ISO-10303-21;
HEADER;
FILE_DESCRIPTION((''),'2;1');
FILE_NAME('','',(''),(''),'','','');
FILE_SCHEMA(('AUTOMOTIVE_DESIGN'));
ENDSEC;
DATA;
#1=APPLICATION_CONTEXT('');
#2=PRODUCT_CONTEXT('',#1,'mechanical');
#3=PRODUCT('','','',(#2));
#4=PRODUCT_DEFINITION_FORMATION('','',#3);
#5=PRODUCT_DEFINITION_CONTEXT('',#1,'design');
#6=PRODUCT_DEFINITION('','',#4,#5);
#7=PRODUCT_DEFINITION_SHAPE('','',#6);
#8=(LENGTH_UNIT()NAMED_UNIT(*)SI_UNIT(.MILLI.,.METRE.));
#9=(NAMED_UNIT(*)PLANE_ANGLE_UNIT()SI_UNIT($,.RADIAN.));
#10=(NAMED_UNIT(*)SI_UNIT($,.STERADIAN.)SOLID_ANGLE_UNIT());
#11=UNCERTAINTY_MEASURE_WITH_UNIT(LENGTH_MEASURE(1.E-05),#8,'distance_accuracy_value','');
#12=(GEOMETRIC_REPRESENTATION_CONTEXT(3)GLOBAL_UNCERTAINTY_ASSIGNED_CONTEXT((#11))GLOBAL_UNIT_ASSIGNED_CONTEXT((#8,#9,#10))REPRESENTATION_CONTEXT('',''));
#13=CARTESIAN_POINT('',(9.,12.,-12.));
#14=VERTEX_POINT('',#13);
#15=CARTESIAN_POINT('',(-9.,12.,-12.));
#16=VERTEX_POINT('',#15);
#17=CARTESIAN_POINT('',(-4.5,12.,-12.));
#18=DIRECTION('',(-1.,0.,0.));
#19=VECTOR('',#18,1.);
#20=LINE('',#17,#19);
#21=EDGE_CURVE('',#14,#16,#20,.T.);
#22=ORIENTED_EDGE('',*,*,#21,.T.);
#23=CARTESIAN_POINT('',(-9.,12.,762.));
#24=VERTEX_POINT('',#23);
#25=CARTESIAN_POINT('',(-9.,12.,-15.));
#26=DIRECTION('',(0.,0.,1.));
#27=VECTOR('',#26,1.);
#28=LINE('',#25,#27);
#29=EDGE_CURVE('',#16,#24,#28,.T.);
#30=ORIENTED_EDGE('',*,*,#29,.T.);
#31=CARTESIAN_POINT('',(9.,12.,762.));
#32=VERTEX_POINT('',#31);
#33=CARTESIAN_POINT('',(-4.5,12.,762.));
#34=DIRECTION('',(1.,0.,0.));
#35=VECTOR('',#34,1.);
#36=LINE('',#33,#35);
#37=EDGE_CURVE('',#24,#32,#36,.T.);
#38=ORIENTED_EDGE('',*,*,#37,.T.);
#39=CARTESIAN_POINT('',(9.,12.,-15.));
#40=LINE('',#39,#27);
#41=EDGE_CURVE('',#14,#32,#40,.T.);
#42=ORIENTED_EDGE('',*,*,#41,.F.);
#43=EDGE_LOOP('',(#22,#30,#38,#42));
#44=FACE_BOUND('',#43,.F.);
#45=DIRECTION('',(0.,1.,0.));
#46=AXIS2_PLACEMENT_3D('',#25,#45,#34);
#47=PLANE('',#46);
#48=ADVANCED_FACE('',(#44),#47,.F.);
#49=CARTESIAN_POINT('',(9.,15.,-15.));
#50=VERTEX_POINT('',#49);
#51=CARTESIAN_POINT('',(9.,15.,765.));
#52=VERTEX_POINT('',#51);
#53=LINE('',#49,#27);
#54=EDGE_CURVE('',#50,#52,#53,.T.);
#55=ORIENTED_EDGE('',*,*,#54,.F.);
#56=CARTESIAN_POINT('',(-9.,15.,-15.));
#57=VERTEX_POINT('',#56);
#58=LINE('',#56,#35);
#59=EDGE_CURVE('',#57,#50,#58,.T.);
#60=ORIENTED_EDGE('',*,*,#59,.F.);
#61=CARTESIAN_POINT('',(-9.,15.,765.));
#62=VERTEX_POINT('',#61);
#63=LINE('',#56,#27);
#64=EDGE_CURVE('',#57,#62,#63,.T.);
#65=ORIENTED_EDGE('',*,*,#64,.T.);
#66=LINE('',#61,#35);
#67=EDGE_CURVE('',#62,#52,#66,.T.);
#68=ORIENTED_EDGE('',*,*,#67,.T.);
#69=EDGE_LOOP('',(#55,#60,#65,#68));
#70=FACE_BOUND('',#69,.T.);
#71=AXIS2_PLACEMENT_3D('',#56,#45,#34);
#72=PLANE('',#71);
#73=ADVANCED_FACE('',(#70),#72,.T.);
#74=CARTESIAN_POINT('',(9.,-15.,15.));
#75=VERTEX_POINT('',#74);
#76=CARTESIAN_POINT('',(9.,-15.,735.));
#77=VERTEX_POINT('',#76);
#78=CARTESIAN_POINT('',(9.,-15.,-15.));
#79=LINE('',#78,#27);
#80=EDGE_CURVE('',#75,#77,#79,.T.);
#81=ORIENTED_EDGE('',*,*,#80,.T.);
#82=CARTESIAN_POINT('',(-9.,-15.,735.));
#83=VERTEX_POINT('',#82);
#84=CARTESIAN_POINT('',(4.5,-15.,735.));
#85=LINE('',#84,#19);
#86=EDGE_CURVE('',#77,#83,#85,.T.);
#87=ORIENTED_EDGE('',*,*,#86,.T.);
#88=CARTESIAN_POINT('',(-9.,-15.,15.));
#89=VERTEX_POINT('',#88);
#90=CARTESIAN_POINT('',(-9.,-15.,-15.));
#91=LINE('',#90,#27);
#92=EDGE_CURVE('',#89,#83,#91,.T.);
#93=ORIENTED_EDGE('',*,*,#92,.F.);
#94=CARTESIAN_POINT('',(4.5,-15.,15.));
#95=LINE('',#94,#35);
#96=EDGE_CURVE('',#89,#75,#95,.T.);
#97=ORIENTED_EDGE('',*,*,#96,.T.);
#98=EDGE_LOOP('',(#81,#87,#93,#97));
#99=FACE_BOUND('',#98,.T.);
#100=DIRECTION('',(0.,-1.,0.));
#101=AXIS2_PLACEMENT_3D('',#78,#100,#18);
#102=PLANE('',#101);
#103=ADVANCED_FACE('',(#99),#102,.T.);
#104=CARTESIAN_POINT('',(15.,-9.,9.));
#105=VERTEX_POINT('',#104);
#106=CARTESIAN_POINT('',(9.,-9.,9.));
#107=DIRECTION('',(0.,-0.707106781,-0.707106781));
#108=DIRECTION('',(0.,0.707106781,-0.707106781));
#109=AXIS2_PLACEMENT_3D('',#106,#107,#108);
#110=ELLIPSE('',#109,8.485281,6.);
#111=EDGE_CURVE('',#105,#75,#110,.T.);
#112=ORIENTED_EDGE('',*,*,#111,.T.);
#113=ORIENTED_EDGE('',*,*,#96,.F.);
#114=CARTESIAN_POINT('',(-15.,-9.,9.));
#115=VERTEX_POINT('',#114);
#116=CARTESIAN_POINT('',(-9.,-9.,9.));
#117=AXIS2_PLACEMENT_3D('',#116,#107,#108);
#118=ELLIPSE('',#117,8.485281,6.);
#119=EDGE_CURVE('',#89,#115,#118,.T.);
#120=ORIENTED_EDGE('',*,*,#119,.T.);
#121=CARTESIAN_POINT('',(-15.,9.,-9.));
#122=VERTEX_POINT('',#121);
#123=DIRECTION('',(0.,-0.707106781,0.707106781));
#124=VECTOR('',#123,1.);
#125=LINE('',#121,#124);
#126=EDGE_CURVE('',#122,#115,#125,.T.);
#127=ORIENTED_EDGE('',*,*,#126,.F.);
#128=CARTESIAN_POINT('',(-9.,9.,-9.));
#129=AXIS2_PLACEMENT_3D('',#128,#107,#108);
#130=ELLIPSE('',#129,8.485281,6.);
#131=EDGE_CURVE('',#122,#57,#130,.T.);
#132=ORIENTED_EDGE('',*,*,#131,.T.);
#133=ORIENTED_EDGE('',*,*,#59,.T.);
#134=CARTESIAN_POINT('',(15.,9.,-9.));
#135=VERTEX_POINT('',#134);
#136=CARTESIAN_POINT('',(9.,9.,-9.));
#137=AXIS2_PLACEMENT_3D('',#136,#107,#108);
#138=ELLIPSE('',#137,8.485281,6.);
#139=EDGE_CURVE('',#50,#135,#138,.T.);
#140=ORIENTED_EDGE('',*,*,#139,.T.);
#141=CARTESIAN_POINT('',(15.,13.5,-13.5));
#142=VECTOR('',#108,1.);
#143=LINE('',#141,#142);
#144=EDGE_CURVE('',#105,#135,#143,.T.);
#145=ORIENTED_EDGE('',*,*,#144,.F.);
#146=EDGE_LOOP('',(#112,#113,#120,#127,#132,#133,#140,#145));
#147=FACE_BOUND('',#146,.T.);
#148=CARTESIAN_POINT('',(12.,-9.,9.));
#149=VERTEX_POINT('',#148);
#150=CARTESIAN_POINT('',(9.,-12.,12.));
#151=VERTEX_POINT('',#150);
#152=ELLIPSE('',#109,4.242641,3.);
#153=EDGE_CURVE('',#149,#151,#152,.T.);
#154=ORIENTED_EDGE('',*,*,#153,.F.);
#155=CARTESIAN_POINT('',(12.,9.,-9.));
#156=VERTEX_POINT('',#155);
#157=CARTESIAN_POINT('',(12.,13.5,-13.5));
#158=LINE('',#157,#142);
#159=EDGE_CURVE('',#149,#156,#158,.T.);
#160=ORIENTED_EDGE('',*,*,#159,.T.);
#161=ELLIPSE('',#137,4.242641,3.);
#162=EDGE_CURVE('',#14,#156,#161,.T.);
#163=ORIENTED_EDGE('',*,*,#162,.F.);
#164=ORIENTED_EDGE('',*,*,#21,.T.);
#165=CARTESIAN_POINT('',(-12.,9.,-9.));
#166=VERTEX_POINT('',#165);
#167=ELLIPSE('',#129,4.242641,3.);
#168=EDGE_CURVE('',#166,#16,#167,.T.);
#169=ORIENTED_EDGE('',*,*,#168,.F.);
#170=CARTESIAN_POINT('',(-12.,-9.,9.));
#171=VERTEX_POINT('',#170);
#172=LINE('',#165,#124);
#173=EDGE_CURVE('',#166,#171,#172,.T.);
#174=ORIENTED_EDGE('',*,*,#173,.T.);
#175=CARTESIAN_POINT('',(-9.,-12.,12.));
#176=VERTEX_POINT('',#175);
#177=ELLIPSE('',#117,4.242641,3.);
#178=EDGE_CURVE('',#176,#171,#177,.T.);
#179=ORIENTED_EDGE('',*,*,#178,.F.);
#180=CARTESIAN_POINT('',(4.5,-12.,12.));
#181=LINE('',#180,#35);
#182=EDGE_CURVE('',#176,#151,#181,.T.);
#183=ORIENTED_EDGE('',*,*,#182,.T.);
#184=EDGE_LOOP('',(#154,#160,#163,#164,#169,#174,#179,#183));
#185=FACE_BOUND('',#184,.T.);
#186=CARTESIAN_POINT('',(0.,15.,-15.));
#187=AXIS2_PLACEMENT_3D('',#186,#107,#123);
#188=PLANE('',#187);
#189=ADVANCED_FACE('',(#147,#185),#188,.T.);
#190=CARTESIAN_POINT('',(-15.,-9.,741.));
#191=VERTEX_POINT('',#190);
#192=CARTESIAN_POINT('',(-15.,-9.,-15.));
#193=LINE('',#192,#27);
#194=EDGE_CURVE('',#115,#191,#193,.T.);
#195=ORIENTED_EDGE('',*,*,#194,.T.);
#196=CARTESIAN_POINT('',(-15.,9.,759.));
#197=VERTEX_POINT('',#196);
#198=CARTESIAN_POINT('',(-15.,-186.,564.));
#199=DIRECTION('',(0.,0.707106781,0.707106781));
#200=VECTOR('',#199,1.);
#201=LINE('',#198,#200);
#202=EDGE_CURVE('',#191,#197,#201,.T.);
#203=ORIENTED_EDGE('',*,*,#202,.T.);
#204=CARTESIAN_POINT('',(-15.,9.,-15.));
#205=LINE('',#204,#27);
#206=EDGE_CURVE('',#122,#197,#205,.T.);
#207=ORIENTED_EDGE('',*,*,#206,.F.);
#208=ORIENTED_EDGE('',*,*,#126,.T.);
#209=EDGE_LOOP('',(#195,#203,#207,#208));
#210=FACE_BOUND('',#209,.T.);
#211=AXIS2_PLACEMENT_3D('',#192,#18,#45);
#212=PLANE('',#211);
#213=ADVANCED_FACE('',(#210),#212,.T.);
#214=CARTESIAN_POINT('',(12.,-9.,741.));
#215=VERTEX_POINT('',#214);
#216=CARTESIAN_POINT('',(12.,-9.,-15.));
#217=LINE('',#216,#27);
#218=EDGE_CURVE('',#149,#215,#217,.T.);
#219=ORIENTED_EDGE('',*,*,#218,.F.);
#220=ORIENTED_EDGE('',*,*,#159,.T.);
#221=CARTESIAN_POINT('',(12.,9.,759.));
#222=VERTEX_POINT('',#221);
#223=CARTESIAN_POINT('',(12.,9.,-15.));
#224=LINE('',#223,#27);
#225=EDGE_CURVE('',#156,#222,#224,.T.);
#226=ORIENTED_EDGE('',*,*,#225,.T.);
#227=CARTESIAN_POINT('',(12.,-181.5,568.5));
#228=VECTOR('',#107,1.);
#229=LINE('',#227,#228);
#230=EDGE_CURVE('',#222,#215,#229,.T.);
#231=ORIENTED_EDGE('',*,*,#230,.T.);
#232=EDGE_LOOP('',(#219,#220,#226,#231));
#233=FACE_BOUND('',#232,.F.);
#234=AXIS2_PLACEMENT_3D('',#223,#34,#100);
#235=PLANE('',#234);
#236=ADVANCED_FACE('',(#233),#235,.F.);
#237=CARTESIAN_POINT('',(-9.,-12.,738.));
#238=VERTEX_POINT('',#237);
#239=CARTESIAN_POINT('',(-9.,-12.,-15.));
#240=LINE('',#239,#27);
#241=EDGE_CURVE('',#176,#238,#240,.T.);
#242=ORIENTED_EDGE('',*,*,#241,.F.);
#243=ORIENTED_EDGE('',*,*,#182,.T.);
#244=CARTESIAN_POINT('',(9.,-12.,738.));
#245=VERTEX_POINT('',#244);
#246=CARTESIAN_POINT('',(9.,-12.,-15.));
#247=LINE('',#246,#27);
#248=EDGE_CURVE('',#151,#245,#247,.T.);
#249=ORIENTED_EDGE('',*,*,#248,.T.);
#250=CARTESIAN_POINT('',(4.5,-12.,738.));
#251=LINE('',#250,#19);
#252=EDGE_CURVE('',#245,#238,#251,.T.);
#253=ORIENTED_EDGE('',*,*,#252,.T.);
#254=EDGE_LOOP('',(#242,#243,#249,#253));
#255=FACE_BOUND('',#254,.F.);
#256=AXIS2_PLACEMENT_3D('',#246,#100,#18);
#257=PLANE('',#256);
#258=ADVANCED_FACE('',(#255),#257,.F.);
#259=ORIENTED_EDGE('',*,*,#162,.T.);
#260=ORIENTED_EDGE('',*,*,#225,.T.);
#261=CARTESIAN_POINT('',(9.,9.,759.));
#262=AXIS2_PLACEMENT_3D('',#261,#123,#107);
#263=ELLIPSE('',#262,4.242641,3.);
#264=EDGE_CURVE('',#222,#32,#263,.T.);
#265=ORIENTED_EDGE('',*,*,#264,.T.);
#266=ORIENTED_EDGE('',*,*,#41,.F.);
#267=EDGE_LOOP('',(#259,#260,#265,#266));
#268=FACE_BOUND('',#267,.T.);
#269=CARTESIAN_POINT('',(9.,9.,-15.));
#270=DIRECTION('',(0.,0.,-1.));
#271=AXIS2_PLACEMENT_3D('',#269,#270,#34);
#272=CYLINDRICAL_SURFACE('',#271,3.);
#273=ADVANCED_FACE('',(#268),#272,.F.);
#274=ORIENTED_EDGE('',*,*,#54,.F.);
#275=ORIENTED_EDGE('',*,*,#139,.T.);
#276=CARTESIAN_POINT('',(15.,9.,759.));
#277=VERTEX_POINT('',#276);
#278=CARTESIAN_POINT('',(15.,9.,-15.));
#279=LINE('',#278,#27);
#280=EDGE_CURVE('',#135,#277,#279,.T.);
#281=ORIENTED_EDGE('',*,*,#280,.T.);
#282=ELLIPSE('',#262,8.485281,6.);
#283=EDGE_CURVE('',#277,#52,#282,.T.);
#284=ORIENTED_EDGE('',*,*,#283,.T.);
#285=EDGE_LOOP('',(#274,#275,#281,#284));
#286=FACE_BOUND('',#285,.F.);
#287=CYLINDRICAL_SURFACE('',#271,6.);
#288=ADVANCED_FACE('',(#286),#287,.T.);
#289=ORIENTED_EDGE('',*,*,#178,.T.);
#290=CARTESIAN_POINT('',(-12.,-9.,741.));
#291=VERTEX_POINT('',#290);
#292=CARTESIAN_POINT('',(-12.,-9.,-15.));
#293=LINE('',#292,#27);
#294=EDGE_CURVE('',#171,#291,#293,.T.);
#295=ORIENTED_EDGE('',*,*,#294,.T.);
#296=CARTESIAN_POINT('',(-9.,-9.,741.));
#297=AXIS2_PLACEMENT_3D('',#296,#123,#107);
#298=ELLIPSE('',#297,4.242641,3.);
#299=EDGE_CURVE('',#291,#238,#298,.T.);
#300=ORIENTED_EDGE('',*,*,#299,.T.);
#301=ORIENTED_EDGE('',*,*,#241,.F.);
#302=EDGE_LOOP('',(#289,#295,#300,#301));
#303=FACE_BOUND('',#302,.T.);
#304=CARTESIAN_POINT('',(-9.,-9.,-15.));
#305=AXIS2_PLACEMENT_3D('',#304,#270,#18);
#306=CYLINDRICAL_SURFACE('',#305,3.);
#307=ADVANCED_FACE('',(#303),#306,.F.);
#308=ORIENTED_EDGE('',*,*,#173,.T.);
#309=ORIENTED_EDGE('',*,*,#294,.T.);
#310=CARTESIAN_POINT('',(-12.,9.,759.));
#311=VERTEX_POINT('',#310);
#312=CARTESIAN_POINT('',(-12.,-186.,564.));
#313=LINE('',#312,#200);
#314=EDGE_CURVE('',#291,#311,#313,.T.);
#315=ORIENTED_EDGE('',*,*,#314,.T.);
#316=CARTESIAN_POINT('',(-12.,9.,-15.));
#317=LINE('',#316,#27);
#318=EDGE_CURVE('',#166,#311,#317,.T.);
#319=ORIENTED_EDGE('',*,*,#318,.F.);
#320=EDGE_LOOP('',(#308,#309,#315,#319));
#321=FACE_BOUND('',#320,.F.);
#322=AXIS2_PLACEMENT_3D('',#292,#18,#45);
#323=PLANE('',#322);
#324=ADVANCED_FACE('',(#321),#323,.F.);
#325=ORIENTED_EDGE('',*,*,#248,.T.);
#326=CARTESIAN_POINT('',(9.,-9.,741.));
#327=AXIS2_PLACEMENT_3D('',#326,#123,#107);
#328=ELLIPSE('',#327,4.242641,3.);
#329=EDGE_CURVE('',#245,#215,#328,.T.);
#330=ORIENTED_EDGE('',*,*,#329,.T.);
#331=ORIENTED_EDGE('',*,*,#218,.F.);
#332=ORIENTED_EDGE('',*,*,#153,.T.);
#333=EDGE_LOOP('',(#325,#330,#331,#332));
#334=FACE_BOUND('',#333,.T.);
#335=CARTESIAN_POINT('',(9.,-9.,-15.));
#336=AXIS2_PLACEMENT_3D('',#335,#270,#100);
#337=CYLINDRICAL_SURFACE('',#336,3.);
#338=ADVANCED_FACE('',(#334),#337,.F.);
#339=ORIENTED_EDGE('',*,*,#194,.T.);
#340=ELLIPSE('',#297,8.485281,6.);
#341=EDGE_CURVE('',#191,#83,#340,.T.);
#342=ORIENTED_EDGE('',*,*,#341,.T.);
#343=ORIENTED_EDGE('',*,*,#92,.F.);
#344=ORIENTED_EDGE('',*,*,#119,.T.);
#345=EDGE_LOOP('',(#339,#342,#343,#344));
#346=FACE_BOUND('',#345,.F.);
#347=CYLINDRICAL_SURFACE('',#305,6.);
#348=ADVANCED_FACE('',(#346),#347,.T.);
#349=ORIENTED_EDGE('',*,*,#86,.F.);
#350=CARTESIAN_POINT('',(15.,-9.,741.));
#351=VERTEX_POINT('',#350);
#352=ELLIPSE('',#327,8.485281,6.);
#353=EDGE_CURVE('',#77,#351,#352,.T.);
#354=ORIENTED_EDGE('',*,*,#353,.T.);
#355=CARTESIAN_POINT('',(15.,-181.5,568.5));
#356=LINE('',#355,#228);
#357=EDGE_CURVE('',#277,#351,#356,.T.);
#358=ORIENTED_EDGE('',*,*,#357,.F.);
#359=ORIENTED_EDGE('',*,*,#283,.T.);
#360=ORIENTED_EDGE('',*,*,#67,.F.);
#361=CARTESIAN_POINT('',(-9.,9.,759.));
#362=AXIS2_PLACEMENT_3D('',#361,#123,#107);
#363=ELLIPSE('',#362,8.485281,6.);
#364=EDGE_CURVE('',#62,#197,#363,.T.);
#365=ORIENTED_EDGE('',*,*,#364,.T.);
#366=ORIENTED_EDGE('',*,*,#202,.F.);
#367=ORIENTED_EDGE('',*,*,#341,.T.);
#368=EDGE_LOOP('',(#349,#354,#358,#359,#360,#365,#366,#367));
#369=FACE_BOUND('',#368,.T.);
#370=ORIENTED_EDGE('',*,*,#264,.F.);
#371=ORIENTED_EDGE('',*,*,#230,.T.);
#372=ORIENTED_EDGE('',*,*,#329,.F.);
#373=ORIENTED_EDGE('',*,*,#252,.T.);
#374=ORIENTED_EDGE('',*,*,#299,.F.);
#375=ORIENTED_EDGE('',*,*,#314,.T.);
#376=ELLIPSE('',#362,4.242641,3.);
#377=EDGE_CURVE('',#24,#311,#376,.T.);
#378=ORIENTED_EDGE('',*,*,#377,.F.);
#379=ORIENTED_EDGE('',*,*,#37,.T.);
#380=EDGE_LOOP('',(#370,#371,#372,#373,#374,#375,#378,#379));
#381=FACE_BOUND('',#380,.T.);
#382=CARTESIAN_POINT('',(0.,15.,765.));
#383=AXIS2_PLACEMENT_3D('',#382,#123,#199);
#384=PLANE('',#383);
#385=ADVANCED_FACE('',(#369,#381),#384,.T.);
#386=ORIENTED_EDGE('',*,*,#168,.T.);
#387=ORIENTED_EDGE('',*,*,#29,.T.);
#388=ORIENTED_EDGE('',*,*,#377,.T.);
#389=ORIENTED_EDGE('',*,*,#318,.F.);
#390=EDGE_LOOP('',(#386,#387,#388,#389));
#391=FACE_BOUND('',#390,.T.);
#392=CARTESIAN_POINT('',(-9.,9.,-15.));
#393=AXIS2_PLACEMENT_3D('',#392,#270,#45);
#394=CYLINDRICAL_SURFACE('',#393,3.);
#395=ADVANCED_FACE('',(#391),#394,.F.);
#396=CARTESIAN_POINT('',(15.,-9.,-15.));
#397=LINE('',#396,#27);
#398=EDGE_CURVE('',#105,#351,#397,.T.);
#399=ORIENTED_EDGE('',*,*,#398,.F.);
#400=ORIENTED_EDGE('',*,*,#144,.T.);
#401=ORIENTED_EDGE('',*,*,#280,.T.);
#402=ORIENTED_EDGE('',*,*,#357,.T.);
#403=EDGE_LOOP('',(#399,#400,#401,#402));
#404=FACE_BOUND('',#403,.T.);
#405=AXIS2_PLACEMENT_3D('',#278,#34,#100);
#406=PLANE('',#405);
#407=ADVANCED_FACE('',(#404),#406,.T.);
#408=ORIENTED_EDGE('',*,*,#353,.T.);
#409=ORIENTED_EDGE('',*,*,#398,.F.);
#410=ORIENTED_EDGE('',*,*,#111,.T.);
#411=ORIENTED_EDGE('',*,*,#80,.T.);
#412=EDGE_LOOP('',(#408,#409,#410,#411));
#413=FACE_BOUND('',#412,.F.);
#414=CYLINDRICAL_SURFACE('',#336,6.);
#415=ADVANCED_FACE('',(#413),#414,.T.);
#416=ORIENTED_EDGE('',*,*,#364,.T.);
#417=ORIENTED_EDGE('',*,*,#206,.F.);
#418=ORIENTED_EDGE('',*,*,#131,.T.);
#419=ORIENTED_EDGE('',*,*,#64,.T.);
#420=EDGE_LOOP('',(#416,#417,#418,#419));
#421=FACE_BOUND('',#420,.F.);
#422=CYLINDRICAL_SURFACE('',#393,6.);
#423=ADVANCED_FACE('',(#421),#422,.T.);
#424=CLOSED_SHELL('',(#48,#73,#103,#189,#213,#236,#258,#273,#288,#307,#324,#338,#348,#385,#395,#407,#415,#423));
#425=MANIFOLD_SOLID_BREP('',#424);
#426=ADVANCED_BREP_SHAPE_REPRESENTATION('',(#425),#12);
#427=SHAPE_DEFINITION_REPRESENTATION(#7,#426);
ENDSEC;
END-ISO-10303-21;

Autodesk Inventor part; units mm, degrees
ref_plane "Start Plane" through (0, 0, -15) normal (0, 0, 1) x (1, 0, 0)
ref_plane "End Plane" through (0, 0, 765) normal (0, 0, 1) x (1, 0, 0)
sketch "Sketch" plane through (0, 0, 0) normal (0, 0, 1) x (1, 0, 0)
  line L0 (-15, -9) -> (-15, 9)
  line L1 (-9, 15) -> (9, 15)
  line L2 (15, 9) -> (15, -9)
  line L3 (9, -15) -> (-9, -15)
  arc A0 (-15, -9) -> (-9, -15) centre (-9, -9) ccw
  arc A1 (-9, 15) -> (-15, 9) centre (-9, 9) ccw
  arc A2 (15, 9) -> (9, 15) centre (9, 9) ccw
  arc A3 (9, -15) -> (15, -9) centre (9, -9) ccw
  arc A4 (-9, 12) -> (-12, 9) centre (-9, 9) ccw
  line L4 (-9, 12) -> (9, 12)
  arc A5 (12, 9) -> (9, 12) centre (9, 9) ccw
  line L5 (12, 9) -> (12, -9)
  arc A6 (9, -12) -> (12, -9) centre (9, -9) ccw
  line L6 (9, -12) -> (-9, -12)
  arc A7 (-12, -9) -> (-9, -12) centre (-9, -9) ccw
  line L7 (-12, -9) -> (-12, 9)
  line L8 (0, 22.7397) -> (0, -22.7397) construction
  line L9 (-22.7397, 0) -> (22.7397, 0) construction
  dimension "d7" = 6
  dimension "d10" = 30
  dimension "d11" = 30
  dimension "d12" = 3
  dimension "d15" = 15
  dimension "d16" = 15
extrude "Body" add sketch "Sketch" along normal up to surface (780 mm away) from surface at -15
sketch "Sketch3" plane through (0, 0, 0) normal (0, 0, 1) x (1, 0, 0)
  line L0 (0, 0) -> (10, 0)
ref_plane "Work Plane3" through (0, 0, 0) normal (0, -1, 0) x (1, 0, 0)
ref_plane "Work Plane4" through (0, 15, -15) normal (0, -0.7071, -0.7071) x (1, 0, 0)
split "Split1" plane through (0, 15, -15) removes the side toward (0, -0.7071, -0.7071)
ref_plane "Work Plane5" through (0, 15, 765) normal (0, -0.7071, 0.7071) x (1, 0, 0)
split "Split2" plane through (0, 15, 765) removes the side toward (0, -0.7071, 0.7071)
sketch "Sketch4" plane through (0, 0, 0) normal (0, -1, 0) x (1, 0, 0)
  line L0 (-2, -15) -> (12, -15) projected
  line L1 (-2, 765) -> (12, 765) projected
  dimension "d18" = 780
equation "\"d7\" = G_IR"
equation "\"d10\" = G_H"
equation "\"d11\" = G_W"
equation "\"d12\" = G_T"
equation "\"d15\" = 0.5 * d10"
equation "\"d16\" = 0.5 * d11"
equation "\"d3\" = G_L"
equation "\"G_W\" = 30"
equation "\"G_H\" = 30"
equation "\"G_T\" = 3"
equation "\"G_IR\" = 6"
equation "\"G_L\" = d18"
equation "\"G_OFFSET_START\" = 15"
equation "\"G_OFFSET_END\" = 15"
equation "\"d13\" = -G_OFFSET_START"
equation "\"d14\" = G_OFFSET_END + B_L"
equation "\"B_L\" = 750"
properties part number "DIN EN 10219-2 - 30 x 30 x 3  - 780" material "Steel, Mild"
